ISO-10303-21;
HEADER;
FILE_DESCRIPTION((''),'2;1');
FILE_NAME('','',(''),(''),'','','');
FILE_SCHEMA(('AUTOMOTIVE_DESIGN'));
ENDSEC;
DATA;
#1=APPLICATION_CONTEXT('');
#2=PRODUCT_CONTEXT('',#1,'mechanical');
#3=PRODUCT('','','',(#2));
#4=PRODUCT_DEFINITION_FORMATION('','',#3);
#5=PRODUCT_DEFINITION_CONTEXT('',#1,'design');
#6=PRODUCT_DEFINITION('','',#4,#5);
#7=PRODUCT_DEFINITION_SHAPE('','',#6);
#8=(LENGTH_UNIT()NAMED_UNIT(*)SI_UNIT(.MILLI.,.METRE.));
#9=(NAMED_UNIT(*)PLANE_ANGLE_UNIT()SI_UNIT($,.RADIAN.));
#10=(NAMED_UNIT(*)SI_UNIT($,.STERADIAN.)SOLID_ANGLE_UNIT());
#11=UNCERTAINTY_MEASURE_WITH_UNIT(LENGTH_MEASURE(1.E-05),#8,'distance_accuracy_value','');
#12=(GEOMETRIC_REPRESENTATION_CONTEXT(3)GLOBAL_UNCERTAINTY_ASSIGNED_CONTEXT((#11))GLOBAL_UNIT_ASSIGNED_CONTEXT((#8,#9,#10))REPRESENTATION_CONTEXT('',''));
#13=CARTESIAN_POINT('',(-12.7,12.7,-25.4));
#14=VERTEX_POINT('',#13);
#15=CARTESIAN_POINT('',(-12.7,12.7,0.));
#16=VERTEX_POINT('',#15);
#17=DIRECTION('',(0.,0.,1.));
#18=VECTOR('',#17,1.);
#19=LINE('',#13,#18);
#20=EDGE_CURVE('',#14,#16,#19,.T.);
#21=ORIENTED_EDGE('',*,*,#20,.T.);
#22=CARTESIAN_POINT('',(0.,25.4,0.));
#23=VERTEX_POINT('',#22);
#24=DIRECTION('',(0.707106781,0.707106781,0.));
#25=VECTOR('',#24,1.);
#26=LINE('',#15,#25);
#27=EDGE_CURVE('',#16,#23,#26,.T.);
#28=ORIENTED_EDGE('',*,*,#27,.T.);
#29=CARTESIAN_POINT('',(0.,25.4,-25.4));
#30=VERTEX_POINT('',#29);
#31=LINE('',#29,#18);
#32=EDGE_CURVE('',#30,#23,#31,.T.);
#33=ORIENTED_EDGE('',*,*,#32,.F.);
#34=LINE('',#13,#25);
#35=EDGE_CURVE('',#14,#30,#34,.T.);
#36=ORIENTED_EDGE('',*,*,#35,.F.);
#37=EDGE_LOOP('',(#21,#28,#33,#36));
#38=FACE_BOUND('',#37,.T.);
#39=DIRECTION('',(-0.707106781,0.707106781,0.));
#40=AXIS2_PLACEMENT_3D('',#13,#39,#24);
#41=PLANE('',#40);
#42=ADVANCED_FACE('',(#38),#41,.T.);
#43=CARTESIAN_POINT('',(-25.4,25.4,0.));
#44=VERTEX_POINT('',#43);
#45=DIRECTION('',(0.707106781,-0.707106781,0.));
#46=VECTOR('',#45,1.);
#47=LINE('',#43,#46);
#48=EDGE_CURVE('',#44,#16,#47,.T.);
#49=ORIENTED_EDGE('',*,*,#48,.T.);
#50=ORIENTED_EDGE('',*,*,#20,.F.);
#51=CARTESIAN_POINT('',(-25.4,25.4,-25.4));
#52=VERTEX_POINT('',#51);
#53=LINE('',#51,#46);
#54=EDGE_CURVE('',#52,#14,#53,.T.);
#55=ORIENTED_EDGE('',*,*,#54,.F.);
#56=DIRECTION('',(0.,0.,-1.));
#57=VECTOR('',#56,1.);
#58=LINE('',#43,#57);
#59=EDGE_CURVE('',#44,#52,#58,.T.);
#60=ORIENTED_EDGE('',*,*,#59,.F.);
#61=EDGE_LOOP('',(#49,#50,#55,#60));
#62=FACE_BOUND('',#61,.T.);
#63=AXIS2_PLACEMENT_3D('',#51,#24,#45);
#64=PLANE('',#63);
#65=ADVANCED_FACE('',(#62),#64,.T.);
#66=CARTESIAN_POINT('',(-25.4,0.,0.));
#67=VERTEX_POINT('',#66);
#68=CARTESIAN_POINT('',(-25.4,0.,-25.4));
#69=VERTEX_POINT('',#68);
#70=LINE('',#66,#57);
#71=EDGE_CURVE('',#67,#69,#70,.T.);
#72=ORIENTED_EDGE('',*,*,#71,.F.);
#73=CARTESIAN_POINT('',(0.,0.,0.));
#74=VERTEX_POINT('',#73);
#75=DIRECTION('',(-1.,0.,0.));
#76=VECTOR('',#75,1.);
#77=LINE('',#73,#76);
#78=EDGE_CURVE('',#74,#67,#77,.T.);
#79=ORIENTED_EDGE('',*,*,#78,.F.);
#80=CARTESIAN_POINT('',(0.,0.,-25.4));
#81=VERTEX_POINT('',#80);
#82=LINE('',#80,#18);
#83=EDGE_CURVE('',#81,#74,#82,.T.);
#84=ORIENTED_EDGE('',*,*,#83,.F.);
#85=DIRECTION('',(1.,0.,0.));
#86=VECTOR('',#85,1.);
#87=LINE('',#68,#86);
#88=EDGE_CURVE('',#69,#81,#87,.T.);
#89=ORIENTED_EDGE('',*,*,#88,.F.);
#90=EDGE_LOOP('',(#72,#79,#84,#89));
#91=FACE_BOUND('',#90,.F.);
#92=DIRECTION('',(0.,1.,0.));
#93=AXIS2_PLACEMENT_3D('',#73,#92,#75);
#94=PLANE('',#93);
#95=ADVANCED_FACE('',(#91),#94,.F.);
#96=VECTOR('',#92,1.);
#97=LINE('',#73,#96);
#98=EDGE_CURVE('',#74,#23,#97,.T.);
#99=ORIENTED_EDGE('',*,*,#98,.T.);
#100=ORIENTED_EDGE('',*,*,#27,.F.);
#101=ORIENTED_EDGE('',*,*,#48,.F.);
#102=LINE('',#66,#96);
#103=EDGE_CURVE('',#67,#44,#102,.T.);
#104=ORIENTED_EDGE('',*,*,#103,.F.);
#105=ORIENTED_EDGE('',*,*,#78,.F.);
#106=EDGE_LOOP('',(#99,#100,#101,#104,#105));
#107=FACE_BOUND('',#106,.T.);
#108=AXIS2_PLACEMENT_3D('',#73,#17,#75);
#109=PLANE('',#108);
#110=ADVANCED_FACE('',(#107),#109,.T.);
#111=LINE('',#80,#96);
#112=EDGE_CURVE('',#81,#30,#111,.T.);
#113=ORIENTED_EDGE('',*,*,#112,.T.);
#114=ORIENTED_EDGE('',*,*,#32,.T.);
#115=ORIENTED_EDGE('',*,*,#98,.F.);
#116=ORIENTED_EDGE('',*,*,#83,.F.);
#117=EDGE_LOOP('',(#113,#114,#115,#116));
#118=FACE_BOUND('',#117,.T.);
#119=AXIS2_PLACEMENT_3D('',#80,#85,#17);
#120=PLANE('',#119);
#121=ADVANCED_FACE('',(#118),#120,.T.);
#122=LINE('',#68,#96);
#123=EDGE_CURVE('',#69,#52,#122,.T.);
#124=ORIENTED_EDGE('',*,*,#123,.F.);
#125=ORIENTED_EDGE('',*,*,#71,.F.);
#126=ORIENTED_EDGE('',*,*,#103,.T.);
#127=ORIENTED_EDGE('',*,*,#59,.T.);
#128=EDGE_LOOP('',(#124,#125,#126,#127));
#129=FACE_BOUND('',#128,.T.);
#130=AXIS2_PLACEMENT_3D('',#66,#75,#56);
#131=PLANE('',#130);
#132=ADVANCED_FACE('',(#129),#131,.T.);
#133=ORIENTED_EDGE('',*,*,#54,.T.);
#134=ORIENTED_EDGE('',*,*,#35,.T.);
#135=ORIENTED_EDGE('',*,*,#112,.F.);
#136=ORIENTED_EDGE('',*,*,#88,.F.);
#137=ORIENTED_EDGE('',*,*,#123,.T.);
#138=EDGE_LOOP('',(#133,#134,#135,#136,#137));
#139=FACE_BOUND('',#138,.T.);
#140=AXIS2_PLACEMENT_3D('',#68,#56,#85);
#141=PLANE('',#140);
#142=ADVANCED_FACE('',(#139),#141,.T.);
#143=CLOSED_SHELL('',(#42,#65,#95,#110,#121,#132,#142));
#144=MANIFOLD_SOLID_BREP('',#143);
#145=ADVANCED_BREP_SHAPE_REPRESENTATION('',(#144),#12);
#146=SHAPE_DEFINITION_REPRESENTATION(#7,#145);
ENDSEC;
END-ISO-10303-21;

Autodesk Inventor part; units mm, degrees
ref_plane "YZ Plane" through (0, 0, 0) normal (1, 0, 0) x (0, 1, 0)
ref_plane "XZ Plane" through (0, 0, 0) normal (0, 1, 0) x (-1, 0, 0)
ref_plane "XY Plane" through (0, 0, 0) normal (0, 0, 1) x (1, 0, 0)
sketch "Sketch1" plane through (0, 0, 0) normal (0, 1, 0) x (-1, 0, 0)
  line L0 (0, 0) -> (25.4, 0)
  line L1 (25.4, 0) -> (25.4, -25.4)
  line L2 (25.4, -25.4) -> (0, -25.4)
  line L3 (0, -25.4) -> (0, 0)
  dimension "d0" = 25.4
  dimension "d1" = 25.4
extrude "Extrusion1" add sketch "Sketch1" along normal blind 25.4
sketch "Sketch2" plane through (0, 0, -25.4) normal (0, 0, -1) x (-1, 0, 0)
  line L0 (25.4, 25.4) -> (0, 25.4) projected
  line L1 (12.7, 12.7) -> (0, 25.4)
  line L2 (0, 25.4) -> (25.4, 25.4)
  line L3 (25.4, 25.4) -> (12.7, 12.7)
  point P0 (0, 0)
extrude "Extrusion2" cut sketch "Sketch2" against normal blind 25.4
properties part number "2 color test pt1"
